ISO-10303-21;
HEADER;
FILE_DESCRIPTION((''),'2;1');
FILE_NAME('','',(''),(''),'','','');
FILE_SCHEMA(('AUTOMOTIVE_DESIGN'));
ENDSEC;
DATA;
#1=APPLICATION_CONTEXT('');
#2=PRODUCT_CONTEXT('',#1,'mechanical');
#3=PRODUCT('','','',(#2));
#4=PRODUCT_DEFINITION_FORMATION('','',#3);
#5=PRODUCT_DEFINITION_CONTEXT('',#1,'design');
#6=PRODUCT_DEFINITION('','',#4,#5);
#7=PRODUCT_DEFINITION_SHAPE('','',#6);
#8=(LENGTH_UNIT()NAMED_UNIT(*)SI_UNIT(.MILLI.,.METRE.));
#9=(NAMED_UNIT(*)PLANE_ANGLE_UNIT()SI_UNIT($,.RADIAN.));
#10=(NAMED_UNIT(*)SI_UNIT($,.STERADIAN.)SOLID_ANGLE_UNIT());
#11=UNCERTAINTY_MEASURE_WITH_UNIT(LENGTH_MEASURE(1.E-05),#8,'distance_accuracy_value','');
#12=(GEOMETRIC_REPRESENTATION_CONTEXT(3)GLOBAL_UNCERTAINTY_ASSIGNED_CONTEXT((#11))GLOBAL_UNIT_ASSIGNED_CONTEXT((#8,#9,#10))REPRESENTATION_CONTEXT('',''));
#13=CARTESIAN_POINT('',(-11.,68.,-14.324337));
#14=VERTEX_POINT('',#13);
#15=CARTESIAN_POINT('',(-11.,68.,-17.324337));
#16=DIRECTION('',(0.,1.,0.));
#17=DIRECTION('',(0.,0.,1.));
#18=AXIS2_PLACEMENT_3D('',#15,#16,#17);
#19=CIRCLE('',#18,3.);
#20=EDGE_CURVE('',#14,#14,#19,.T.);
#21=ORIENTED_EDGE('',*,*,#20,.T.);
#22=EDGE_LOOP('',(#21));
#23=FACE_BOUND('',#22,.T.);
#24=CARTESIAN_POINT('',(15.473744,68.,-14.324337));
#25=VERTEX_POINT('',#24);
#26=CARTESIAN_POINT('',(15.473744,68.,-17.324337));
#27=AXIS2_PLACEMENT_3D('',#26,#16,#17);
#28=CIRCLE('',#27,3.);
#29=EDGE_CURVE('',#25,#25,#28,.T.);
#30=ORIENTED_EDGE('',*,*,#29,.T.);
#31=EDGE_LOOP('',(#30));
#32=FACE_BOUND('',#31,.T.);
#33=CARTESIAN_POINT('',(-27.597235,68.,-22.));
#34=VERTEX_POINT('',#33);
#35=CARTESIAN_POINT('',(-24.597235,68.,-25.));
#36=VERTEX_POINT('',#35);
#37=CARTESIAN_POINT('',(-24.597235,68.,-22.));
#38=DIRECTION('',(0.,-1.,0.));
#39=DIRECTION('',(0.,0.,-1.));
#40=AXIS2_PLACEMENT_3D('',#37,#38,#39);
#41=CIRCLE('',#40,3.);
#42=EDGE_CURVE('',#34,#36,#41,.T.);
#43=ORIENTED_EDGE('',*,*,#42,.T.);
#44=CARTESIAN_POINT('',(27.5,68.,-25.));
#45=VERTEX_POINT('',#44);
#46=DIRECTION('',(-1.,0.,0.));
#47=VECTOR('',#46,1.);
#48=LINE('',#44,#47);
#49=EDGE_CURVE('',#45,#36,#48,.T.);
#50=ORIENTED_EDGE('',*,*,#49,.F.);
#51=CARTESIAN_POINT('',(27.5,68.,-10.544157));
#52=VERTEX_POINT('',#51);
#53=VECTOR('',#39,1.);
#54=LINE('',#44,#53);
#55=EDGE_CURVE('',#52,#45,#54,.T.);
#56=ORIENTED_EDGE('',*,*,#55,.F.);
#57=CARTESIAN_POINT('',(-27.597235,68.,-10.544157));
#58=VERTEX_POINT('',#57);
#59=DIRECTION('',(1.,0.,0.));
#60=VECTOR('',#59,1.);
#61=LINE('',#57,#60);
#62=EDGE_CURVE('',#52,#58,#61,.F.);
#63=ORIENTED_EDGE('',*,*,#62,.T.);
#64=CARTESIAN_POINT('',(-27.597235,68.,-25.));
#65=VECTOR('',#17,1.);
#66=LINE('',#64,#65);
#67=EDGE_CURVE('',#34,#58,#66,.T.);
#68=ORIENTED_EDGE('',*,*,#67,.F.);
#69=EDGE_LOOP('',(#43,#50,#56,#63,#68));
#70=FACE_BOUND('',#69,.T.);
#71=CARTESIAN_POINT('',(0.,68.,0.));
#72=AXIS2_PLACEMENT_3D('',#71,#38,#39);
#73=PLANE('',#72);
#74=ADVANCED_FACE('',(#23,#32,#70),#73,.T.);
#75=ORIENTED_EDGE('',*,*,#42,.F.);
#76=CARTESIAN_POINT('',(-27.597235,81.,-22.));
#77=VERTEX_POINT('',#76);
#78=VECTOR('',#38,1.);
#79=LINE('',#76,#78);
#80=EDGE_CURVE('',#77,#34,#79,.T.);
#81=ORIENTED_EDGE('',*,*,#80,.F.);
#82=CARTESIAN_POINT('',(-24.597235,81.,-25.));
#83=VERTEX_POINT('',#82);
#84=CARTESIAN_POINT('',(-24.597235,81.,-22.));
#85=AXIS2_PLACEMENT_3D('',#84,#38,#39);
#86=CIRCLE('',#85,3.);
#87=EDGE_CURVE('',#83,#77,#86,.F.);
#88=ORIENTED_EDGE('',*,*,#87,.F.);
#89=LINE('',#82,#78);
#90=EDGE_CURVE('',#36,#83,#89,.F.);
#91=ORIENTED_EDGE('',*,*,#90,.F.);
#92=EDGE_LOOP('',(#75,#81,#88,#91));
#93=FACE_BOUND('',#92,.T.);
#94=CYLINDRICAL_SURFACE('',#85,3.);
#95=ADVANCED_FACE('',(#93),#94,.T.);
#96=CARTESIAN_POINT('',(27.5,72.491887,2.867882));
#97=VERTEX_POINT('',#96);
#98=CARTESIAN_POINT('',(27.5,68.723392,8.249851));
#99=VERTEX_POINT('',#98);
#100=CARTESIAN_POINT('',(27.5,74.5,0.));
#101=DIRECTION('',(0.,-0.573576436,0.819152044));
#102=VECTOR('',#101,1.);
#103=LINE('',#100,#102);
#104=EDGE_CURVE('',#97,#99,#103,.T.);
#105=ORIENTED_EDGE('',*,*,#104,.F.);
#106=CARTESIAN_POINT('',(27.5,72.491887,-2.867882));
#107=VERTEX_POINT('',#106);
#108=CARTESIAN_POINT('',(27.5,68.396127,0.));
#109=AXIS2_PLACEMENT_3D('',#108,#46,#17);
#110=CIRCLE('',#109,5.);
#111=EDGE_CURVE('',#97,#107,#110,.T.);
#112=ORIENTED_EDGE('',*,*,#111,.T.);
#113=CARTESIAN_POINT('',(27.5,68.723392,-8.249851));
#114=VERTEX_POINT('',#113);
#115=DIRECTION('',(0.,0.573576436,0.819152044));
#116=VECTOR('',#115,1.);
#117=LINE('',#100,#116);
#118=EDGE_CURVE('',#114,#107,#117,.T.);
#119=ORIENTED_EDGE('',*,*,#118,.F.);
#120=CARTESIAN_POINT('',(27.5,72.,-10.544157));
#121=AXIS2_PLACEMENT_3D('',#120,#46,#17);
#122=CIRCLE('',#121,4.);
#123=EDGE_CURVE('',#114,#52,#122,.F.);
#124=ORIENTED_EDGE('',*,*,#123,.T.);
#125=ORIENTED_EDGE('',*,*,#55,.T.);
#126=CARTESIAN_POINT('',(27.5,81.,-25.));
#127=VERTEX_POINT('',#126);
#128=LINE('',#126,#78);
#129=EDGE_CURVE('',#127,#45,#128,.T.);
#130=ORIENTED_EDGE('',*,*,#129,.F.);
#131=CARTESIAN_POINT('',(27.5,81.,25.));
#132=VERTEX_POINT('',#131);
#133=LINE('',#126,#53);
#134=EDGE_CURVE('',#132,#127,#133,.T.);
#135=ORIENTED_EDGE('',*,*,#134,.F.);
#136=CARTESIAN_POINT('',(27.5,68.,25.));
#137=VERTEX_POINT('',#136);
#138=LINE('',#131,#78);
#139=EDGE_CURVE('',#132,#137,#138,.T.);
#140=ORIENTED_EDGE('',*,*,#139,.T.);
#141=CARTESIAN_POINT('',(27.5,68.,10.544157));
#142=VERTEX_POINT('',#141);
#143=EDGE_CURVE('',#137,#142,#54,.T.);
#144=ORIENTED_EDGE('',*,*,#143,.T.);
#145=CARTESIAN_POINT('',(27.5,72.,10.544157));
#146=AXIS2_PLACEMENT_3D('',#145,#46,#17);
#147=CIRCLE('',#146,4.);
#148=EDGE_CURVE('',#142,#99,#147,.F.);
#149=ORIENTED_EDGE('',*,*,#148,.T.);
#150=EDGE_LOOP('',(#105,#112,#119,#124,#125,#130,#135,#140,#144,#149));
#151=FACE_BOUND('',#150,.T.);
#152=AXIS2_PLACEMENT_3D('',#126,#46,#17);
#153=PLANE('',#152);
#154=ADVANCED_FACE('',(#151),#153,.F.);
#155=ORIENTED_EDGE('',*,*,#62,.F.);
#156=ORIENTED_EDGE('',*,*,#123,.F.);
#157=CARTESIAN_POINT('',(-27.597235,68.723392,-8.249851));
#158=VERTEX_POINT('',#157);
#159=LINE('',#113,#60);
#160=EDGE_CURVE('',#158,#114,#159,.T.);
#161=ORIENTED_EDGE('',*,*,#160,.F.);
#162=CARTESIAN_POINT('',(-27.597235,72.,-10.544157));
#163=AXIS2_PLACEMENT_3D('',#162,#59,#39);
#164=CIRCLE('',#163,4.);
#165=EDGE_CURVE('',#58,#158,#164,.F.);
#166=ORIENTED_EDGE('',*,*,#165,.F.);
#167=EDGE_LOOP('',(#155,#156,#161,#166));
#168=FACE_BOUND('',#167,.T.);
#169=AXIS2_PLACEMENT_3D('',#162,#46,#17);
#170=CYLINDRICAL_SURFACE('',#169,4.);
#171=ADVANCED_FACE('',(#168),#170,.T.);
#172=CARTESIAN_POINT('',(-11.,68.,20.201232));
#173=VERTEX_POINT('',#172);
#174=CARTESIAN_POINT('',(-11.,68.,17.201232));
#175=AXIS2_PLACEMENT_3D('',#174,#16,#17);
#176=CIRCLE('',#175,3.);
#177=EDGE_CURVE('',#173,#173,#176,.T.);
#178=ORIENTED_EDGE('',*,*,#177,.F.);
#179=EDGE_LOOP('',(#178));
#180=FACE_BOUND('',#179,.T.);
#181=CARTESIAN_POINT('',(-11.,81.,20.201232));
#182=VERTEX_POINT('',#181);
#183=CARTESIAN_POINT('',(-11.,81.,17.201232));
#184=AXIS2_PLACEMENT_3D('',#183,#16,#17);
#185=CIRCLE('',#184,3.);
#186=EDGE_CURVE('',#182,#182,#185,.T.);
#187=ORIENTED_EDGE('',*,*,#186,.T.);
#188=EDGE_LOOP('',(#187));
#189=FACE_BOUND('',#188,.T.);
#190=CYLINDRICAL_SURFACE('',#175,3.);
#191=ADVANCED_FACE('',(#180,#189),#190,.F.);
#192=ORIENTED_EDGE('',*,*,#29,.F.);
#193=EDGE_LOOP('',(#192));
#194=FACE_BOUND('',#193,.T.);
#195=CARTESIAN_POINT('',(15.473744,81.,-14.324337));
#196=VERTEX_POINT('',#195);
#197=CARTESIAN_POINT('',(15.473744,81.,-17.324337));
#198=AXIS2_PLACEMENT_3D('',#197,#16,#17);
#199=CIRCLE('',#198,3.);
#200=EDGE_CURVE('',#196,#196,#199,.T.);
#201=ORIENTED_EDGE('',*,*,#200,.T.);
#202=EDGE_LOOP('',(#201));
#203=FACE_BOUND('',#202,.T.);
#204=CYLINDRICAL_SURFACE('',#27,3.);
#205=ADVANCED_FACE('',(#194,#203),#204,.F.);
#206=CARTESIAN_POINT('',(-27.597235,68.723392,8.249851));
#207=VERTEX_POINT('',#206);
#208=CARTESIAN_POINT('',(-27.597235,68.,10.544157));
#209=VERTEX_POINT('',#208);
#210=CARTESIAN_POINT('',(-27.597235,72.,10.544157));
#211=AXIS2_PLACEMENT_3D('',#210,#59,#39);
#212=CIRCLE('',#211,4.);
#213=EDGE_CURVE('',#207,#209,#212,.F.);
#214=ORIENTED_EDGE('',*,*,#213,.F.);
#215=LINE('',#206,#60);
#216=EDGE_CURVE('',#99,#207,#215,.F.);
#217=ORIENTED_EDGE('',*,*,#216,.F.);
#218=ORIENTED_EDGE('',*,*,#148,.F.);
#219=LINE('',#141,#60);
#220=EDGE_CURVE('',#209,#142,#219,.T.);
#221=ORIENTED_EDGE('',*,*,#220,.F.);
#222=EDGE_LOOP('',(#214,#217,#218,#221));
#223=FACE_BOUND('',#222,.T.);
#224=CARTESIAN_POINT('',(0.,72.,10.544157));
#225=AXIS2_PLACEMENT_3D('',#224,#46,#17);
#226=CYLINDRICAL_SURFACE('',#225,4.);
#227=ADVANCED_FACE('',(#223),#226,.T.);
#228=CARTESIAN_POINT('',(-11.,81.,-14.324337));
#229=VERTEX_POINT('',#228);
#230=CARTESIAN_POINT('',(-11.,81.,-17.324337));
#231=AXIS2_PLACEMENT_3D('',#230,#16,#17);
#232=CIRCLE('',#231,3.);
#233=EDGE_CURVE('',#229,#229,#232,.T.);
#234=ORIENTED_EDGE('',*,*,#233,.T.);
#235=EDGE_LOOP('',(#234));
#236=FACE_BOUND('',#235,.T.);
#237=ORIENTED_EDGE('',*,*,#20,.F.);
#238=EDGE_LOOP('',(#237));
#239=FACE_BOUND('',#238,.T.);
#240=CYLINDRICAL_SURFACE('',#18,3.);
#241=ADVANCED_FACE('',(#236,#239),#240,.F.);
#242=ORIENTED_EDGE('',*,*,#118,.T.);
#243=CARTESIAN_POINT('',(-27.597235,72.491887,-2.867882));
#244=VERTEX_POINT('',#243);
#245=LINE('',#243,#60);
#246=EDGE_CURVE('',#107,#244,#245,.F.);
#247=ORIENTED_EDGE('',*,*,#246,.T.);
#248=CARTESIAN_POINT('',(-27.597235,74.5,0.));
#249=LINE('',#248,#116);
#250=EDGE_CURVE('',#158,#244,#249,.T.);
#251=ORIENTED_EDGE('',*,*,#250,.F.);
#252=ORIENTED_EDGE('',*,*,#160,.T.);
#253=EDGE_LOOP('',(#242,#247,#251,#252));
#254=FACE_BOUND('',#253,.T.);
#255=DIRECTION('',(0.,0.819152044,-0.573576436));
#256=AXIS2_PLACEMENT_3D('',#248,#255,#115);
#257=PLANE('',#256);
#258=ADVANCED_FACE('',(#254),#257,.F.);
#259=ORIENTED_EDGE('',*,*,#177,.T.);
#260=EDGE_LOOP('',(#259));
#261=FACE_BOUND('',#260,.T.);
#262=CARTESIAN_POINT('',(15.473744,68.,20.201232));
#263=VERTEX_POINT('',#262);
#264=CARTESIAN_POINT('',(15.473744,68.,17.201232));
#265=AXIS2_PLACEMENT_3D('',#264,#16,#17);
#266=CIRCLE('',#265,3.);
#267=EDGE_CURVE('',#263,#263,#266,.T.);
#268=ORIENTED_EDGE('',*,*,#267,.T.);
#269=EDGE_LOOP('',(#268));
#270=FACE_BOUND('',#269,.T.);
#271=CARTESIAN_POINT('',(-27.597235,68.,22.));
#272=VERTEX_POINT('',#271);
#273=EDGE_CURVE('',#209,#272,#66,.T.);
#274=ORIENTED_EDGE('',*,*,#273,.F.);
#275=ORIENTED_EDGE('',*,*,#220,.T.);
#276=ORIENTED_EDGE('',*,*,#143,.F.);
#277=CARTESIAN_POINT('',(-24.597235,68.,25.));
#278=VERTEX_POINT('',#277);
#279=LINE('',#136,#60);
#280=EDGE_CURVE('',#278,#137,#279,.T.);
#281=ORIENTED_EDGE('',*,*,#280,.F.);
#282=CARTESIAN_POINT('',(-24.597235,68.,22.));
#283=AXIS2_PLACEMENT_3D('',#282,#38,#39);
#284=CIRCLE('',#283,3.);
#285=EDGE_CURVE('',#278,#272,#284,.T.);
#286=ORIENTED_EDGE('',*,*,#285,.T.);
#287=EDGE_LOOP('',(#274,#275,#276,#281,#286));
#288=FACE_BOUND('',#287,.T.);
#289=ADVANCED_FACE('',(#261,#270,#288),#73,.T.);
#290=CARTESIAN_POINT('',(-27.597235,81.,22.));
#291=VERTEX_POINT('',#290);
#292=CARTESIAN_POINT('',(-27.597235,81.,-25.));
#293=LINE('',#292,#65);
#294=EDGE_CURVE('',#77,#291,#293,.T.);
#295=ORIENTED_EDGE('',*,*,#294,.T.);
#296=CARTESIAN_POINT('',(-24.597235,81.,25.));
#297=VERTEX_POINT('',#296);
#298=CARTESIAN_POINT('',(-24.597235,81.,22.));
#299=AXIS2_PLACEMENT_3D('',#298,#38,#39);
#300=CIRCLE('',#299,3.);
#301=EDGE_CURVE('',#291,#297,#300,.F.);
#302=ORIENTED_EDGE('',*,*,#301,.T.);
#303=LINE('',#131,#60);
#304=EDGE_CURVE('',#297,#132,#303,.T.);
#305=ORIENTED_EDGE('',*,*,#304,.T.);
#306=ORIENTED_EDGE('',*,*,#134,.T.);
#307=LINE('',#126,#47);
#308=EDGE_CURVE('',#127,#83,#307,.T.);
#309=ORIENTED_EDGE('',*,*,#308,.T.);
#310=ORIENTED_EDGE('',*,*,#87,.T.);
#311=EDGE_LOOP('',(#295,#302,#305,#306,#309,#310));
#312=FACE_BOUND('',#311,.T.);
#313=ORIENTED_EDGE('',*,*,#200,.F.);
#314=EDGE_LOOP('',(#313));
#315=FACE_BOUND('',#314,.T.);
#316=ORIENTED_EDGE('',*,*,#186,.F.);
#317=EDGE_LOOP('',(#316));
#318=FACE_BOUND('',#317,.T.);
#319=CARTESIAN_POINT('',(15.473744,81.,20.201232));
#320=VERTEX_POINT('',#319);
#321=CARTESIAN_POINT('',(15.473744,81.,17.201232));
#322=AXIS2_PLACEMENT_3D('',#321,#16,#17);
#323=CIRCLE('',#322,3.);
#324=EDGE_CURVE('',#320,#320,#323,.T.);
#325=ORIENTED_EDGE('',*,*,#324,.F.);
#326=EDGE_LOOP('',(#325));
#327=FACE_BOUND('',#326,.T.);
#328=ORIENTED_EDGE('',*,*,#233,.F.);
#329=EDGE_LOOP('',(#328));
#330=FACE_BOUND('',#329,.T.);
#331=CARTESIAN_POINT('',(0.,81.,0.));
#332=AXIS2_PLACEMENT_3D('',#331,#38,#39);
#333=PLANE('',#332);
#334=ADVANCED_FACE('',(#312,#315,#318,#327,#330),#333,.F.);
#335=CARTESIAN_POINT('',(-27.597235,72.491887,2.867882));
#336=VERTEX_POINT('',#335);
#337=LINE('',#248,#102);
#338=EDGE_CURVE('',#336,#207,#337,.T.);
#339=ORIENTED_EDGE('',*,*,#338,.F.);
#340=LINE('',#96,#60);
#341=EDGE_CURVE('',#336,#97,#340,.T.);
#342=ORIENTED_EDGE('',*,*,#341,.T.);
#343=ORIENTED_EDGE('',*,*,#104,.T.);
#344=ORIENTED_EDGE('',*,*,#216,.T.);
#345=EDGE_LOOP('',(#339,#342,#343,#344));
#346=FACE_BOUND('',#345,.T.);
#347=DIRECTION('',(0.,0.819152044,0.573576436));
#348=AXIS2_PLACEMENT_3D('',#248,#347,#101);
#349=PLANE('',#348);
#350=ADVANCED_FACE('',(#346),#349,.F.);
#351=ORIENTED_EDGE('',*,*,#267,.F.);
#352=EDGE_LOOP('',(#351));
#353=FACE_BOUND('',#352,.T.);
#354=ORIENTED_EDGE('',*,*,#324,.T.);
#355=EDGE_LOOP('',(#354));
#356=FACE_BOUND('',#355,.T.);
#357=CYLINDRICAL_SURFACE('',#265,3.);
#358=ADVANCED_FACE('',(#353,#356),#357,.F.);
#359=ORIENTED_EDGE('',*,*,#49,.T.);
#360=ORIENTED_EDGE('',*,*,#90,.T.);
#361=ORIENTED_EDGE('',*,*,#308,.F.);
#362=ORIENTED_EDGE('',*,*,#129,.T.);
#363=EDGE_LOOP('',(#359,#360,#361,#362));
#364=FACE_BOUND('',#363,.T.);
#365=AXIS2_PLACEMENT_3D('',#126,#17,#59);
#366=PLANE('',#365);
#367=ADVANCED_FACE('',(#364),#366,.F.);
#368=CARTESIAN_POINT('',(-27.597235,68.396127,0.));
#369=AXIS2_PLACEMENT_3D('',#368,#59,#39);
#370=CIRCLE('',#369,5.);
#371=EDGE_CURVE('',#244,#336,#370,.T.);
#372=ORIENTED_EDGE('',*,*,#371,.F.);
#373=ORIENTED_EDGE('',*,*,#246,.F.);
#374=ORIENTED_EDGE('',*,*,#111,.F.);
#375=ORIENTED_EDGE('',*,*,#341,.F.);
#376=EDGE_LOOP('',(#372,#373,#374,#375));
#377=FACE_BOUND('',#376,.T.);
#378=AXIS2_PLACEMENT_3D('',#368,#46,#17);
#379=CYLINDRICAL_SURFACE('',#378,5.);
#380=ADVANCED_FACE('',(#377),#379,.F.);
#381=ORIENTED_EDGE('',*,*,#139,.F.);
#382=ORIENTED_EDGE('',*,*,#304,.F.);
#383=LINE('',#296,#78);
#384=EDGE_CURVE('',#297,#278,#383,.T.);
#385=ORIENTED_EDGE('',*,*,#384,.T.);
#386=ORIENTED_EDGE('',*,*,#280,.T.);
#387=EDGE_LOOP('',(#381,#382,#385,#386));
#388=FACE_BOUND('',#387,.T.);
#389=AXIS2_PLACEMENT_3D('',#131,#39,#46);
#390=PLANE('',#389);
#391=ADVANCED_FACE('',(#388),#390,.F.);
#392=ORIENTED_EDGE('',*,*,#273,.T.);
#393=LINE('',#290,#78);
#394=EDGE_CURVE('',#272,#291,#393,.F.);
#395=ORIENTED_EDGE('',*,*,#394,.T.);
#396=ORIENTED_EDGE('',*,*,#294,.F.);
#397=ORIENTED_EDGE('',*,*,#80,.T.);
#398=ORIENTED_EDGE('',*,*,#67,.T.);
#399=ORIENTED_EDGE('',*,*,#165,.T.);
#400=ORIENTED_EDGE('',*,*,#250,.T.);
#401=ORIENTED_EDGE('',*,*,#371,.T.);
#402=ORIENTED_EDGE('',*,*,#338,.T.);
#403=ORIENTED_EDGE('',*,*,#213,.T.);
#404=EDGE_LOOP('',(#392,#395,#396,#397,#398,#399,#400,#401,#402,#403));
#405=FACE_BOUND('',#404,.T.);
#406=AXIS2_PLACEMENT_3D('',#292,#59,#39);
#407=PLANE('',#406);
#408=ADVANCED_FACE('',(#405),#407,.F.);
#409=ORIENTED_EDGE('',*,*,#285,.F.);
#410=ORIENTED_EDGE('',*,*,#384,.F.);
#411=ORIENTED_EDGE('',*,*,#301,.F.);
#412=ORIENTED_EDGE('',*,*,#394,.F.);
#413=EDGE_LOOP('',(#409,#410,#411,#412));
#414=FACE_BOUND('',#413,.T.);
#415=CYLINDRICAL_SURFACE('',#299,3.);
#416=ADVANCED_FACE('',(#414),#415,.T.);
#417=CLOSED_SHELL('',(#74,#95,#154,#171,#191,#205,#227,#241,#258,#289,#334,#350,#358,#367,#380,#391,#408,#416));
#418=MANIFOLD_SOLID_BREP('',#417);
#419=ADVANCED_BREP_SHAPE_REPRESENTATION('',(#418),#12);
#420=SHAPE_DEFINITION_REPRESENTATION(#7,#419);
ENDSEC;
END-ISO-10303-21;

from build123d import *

# Parameters (mm, degrees)
SKETCH6_W          = 55.097235346
SKETCH6_H          = 50
MAIN_BODY_DEPTH    = 13
MAIN_HOLE_DEPTH    = 56.097235346
EXTERIOR_FILLET_R  = 3
SKETCH9_R          = 3
BOLT_HOLES_DEPTH   = 14
TOP_HOLE_FILLET_R  = 5
SIDE_HOLE_FILLET_R = 4


with BuildPart() as part:
    # Sketch6 → Main Body (new body)
    with BuildSketch(Plane(origin=(0, 68, 0), x_dir=(1, 0, 0), z_dir=(0, 1, 0))):
        with Locations((-0.048617673, 0)):
            Rectangle(SKETCH6_W, SKETCH6_H)
    extrude(amount=MAIN_BODY_DEPTH)

    # Sketch7 → Main Hole (cut, through all)
    with BuildSketch(Plane(origin=(27.5, 0, 0), x_dir=(0, 0, -1), z_dir=(1, 0, 0))):
        Polygon((0, 74.5), (-9.282962044, 68), (0, 61.5), (9.282962044, 68), align=None)
    extrude(amount=-MAIN_HOLE_DEPTH, mode=Mode.SUBTRACT)

    # Exterior Fillet
    exterior_fillet_edges = [part.edges().sort_by_distance(p)[0] for p in [
        (-27.597235346, 74.5, 25),
        (-27.597235346, 74.5, -25),
    ]]
    fillet(exterior_fillet_edges, radius=EXTERIOR_FILLET_R)

    # Sketch9 → Bolt Holes (cut, through all)
    with BuildSketch(Plane(origin=(0, 81, 0), x_dir=(1, 0, 0), z_dir=(0, 1, 0))):
        with Locations((15.473743703, -17.201232435)):
            Circle(SKETCH9_R)
        with Locations((-11, -17.201232435)):
            Circle(SKETCH9_R)
        with Locations((15.473743703, 17.324336932)):
            Circle(SKETCH9_R)
        with Locations((-11, 17.324336932)):
            Circle(SKETCH9_R)
    extrude(amount=-BOLT_HOLES_DEPTH, mode=Mode.SUBTRACT)

    # Top Hole Fillet
    top_hole_fillet_edges = [part.edges().sort_by_distance(p)[0] for p in [
        (-0.048617673, 74.5, 0),
    ]]
    fillet(top_hole_fillet_edges, radius=TOP_HOLE_FILLET_R)

    # Side Hole Fillet
    side_hole_fillet_edges = [part.edges().sort_by_distance(p)[0] for p in [
        (-0.048617673, 68, -9.282962044),
        (-0.048617673, 68, 9.282962044),
    ]]
    fillet(side_hole_fillet_edges, radius=SIDE_HOLE_FILLET_R)


solid = part.part
